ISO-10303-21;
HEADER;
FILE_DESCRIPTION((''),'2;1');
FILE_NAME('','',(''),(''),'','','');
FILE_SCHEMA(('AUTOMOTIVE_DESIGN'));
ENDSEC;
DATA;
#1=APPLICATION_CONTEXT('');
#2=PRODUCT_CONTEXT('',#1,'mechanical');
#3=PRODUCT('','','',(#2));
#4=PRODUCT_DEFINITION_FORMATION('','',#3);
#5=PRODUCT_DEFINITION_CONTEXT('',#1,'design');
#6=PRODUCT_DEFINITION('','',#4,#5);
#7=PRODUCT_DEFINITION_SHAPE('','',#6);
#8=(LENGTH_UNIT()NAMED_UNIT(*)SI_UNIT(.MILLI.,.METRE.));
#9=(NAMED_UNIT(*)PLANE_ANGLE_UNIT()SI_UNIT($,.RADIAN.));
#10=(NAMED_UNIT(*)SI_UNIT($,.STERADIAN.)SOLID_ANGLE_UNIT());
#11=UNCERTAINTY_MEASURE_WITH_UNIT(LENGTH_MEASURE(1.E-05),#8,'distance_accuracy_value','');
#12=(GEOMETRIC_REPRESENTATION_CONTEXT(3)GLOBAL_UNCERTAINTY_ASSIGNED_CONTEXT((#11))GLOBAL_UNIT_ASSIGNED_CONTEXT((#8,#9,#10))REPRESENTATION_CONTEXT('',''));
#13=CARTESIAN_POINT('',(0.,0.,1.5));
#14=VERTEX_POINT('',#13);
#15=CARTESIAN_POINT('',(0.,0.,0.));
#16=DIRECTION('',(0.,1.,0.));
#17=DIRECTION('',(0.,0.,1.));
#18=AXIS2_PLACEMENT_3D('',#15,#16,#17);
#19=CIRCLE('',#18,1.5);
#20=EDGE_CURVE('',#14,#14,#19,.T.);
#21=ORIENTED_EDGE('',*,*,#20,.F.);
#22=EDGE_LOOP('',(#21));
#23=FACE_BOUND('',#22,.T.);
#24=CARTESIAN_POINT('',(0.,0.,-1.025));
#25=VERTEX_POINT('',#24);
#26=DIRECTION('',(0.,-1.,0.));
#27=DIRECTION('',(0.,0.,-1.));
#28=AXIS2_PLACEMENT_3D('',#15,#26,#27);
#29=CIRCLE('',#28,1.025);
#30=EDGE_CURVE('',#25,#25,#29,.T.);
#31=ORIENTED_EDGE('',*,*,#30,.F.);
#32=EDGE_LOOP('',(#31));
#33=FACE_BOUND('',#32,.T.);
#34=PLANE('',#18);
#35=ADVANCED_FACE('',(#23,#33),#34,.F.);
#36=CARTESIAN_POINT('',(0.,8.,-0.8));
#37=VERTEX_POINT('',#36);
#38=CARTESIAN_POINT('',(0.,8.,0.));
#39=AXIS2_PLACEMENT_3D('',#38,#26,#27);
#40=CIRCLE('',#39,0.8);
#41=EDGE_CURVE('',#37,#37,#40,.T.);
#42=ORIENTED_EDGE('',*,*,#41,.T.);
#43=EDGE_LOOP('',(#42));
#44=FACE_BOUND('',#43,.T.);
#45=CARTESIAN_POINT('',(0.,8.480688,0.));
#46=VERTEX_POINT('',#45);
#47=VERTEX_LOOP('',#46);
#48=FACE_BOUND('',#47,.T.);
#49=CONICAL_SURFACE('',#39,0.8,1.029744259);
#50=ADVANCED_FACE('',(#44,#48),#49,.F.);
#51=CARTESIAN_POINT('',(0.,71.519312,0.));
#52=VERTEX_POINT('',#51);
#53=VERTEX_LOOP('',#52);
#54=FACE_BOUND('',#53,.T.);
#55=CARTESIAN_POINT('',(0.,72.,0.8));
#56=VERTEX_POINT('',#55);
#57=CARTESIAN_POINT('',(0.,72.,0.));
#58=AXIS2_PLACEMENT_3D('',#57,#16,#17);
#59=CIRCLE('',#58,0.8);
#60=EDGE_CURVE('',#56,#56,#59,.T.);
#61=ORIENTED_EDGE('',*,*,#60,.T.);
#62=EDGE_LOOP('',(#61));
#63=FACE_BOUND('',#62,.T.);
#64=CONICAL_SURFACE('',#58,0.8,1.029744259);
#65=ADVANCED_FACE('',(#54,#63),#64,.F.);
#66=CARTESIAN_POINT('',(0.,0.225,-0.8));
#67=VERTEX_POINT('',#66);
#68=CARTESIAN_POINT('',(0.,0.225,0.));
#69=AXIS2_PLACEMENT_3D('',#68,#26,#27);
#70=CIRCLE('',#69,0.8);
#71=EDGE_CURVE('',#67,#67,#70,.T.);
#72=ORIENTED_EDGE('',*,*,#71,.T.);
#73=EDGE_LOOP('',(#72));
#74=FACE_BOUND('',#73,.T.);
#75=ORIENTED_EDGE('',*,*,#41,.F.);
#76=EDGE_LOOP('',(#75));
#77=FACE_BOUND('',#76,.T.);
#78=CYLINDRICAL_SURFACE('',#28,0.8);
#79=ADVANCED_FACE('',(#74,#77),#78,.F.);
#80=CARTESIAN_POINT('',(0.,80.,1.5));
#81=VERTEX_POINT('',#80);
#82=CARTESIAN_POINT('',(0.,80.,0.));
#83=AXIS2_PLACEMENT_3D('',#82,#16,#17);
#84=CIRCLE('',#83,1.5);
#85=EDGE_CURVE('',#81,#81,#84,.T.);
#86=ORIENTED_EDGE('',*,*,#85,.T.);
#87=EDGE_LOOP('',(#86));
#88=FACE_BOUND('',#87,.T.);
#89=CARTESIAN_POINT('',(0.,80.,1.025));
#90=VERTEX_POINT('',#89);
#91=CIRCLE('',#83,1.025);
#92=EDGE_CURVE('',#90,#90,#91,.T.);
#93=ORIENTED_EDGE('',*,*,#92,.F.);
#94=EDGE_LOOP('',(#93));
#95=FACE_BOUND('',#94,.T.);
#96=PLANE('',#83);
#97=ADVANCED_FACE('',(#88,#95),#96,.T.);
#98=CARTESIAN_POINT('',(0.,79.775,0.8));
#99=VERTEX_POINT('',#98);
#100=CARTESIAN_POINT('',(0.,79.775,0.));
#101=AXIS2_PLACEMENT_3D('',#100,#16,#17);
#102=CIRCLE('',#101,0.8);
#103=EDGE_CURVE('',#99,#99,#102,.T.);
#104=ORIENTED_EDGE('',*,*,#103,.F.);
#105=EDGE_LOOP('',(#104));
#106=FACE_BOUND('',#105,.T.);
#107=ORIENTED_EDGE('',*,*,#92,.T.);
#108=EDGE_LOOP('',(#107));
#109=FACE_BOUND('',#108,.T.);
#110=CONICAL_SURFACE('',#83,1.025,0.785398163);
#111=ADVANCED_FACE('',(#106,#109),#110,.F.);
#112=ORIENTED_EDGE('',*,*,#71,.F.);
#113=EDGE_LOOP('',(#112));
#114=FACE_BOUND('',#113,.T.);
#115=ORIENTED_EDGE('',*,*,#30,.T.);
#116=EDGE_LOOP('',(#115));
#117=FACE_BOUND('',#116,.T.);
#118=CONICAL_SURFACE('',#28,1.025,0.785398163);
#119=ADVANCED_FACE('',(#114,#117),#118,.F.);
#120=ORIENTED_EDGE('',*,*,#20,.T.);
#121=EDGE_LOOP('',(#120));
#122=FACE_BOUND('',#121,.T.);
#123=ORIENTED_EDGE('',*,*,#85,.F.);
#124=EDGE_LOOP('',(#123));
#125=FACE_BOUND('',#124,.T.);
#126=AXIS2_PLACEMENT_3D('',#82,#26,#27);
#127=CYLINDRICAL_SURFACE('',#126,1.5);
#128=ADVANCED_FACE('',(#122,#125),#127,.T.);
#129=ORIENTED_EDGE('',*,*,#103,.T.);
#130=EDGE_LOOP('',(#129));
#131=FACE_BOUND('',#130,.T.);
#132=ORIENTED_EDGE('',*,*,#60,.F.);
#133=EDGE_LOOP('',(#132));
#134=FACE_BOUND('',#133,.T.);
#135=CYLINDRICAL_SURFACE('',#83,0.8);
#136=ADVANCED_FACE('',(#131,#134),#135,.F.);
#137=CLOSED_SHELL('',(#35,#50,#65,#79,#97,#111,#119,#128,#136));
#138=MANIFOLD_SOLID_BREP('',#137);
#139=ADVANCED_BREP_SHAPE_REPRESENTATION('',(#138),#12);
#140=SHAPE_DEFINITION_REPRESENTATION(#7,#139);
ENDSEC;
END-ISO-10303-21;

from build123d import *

# Parameters (mm, degrees)
SKETCH1_R                   = 1.5
BOSS_EXTRUDE1_DEPTH         = 80
M2_TAPPED_HOLE1_D           = 1.6
M2_TAPPED_HOLE1_DEPTH       = 8
M2_TAPPED_HOLE1_CSINK_D     = 2.05
M2_TAPPED_HOLE1_CSINK_ANGLE = 90
M2_TAPPED_HOLE1_TIP         = 0.480688495
M2_TAPPED_HOLE2_D           = 1.6
M2_TAPPED_HOLE2_DEPTH       = 8
M2_TAPPED_HOLE2_CSINK_D     = 2.05
M2_TAPPED_HOLE2_CSINK_ANGLE = 90
M2_TAPPED_HOLE2_TIP         = 0.480688495


with BuildPart() as part:
    # Sketch1 → Boss-Extrude1 (new body)
    with BuildSketch(Plane(origin=(0, 0, 0), x_dir=(1, 0, 0), z_dir=(0, 1, 0))):
        with Locations(Location((0, 0, 0), (0, 0, 270))):
            Circle(SKETCH1_R)
    extrude(amount=BOSS_EXTRUDE1_DEPTH)

    # M2 Tapped Hole1
    with Locations(Plane(origin=(0, 80, 0), x_dir=(1, 0, 0), z_dir=(0, 1, 0))):
        with Locations((0, 0)):
            CounterSinkHole(M2_TAPPED_HOLE1_D / 2, M2_TAPPED_HOLE1_CSINK_D / 2, depth=M2_TAPPED_HOLE1_DEPTH, counter_sink_angle=M2_TAPPED_HOLE1_CSINK_ANGLE)
            with Locations((0, 0, -(M2_TAPPED_HOLE1_DEPTH + M2_TAPPED_HOLE1_TIP / 2))):  # 118° drill point
                Cone(0, M2_TAPPED_HOLE1_D / 2, M2_TAPPED_HOLE1_TIP, mode=Mode.SUBTRACT)

    # M2 Tapped Hole2
    with Locations(Plane(origin=(0, 0, 0), x_dir=(-1, 0, 0), z_dir=(0, -1, 0))):
        with Locations((0, 0)):
            CounterSinkHole(M2_TAPPED_HOLE2_D / 2, M2_TAPPED_HOLE2_CSINK_D / 2, depth=M2_TAPPED_HOLE2_DEPTH, counter_sink_angle=M2_TAPPED_HOLE2_CSINK_ANGLE)
            with Locations((0, 0, -(M2_TAPPED_HOLE2_DEPTH + M2_TAPPED_HOLE2_TIP / 2))):  # 118° drill point
                Cone(0, M2_TAPPED_HOLE2_D / 2, M2_TAPPED_HOLE2_TIP, mode=Mode.SUBTRACT)


solid = part.part
